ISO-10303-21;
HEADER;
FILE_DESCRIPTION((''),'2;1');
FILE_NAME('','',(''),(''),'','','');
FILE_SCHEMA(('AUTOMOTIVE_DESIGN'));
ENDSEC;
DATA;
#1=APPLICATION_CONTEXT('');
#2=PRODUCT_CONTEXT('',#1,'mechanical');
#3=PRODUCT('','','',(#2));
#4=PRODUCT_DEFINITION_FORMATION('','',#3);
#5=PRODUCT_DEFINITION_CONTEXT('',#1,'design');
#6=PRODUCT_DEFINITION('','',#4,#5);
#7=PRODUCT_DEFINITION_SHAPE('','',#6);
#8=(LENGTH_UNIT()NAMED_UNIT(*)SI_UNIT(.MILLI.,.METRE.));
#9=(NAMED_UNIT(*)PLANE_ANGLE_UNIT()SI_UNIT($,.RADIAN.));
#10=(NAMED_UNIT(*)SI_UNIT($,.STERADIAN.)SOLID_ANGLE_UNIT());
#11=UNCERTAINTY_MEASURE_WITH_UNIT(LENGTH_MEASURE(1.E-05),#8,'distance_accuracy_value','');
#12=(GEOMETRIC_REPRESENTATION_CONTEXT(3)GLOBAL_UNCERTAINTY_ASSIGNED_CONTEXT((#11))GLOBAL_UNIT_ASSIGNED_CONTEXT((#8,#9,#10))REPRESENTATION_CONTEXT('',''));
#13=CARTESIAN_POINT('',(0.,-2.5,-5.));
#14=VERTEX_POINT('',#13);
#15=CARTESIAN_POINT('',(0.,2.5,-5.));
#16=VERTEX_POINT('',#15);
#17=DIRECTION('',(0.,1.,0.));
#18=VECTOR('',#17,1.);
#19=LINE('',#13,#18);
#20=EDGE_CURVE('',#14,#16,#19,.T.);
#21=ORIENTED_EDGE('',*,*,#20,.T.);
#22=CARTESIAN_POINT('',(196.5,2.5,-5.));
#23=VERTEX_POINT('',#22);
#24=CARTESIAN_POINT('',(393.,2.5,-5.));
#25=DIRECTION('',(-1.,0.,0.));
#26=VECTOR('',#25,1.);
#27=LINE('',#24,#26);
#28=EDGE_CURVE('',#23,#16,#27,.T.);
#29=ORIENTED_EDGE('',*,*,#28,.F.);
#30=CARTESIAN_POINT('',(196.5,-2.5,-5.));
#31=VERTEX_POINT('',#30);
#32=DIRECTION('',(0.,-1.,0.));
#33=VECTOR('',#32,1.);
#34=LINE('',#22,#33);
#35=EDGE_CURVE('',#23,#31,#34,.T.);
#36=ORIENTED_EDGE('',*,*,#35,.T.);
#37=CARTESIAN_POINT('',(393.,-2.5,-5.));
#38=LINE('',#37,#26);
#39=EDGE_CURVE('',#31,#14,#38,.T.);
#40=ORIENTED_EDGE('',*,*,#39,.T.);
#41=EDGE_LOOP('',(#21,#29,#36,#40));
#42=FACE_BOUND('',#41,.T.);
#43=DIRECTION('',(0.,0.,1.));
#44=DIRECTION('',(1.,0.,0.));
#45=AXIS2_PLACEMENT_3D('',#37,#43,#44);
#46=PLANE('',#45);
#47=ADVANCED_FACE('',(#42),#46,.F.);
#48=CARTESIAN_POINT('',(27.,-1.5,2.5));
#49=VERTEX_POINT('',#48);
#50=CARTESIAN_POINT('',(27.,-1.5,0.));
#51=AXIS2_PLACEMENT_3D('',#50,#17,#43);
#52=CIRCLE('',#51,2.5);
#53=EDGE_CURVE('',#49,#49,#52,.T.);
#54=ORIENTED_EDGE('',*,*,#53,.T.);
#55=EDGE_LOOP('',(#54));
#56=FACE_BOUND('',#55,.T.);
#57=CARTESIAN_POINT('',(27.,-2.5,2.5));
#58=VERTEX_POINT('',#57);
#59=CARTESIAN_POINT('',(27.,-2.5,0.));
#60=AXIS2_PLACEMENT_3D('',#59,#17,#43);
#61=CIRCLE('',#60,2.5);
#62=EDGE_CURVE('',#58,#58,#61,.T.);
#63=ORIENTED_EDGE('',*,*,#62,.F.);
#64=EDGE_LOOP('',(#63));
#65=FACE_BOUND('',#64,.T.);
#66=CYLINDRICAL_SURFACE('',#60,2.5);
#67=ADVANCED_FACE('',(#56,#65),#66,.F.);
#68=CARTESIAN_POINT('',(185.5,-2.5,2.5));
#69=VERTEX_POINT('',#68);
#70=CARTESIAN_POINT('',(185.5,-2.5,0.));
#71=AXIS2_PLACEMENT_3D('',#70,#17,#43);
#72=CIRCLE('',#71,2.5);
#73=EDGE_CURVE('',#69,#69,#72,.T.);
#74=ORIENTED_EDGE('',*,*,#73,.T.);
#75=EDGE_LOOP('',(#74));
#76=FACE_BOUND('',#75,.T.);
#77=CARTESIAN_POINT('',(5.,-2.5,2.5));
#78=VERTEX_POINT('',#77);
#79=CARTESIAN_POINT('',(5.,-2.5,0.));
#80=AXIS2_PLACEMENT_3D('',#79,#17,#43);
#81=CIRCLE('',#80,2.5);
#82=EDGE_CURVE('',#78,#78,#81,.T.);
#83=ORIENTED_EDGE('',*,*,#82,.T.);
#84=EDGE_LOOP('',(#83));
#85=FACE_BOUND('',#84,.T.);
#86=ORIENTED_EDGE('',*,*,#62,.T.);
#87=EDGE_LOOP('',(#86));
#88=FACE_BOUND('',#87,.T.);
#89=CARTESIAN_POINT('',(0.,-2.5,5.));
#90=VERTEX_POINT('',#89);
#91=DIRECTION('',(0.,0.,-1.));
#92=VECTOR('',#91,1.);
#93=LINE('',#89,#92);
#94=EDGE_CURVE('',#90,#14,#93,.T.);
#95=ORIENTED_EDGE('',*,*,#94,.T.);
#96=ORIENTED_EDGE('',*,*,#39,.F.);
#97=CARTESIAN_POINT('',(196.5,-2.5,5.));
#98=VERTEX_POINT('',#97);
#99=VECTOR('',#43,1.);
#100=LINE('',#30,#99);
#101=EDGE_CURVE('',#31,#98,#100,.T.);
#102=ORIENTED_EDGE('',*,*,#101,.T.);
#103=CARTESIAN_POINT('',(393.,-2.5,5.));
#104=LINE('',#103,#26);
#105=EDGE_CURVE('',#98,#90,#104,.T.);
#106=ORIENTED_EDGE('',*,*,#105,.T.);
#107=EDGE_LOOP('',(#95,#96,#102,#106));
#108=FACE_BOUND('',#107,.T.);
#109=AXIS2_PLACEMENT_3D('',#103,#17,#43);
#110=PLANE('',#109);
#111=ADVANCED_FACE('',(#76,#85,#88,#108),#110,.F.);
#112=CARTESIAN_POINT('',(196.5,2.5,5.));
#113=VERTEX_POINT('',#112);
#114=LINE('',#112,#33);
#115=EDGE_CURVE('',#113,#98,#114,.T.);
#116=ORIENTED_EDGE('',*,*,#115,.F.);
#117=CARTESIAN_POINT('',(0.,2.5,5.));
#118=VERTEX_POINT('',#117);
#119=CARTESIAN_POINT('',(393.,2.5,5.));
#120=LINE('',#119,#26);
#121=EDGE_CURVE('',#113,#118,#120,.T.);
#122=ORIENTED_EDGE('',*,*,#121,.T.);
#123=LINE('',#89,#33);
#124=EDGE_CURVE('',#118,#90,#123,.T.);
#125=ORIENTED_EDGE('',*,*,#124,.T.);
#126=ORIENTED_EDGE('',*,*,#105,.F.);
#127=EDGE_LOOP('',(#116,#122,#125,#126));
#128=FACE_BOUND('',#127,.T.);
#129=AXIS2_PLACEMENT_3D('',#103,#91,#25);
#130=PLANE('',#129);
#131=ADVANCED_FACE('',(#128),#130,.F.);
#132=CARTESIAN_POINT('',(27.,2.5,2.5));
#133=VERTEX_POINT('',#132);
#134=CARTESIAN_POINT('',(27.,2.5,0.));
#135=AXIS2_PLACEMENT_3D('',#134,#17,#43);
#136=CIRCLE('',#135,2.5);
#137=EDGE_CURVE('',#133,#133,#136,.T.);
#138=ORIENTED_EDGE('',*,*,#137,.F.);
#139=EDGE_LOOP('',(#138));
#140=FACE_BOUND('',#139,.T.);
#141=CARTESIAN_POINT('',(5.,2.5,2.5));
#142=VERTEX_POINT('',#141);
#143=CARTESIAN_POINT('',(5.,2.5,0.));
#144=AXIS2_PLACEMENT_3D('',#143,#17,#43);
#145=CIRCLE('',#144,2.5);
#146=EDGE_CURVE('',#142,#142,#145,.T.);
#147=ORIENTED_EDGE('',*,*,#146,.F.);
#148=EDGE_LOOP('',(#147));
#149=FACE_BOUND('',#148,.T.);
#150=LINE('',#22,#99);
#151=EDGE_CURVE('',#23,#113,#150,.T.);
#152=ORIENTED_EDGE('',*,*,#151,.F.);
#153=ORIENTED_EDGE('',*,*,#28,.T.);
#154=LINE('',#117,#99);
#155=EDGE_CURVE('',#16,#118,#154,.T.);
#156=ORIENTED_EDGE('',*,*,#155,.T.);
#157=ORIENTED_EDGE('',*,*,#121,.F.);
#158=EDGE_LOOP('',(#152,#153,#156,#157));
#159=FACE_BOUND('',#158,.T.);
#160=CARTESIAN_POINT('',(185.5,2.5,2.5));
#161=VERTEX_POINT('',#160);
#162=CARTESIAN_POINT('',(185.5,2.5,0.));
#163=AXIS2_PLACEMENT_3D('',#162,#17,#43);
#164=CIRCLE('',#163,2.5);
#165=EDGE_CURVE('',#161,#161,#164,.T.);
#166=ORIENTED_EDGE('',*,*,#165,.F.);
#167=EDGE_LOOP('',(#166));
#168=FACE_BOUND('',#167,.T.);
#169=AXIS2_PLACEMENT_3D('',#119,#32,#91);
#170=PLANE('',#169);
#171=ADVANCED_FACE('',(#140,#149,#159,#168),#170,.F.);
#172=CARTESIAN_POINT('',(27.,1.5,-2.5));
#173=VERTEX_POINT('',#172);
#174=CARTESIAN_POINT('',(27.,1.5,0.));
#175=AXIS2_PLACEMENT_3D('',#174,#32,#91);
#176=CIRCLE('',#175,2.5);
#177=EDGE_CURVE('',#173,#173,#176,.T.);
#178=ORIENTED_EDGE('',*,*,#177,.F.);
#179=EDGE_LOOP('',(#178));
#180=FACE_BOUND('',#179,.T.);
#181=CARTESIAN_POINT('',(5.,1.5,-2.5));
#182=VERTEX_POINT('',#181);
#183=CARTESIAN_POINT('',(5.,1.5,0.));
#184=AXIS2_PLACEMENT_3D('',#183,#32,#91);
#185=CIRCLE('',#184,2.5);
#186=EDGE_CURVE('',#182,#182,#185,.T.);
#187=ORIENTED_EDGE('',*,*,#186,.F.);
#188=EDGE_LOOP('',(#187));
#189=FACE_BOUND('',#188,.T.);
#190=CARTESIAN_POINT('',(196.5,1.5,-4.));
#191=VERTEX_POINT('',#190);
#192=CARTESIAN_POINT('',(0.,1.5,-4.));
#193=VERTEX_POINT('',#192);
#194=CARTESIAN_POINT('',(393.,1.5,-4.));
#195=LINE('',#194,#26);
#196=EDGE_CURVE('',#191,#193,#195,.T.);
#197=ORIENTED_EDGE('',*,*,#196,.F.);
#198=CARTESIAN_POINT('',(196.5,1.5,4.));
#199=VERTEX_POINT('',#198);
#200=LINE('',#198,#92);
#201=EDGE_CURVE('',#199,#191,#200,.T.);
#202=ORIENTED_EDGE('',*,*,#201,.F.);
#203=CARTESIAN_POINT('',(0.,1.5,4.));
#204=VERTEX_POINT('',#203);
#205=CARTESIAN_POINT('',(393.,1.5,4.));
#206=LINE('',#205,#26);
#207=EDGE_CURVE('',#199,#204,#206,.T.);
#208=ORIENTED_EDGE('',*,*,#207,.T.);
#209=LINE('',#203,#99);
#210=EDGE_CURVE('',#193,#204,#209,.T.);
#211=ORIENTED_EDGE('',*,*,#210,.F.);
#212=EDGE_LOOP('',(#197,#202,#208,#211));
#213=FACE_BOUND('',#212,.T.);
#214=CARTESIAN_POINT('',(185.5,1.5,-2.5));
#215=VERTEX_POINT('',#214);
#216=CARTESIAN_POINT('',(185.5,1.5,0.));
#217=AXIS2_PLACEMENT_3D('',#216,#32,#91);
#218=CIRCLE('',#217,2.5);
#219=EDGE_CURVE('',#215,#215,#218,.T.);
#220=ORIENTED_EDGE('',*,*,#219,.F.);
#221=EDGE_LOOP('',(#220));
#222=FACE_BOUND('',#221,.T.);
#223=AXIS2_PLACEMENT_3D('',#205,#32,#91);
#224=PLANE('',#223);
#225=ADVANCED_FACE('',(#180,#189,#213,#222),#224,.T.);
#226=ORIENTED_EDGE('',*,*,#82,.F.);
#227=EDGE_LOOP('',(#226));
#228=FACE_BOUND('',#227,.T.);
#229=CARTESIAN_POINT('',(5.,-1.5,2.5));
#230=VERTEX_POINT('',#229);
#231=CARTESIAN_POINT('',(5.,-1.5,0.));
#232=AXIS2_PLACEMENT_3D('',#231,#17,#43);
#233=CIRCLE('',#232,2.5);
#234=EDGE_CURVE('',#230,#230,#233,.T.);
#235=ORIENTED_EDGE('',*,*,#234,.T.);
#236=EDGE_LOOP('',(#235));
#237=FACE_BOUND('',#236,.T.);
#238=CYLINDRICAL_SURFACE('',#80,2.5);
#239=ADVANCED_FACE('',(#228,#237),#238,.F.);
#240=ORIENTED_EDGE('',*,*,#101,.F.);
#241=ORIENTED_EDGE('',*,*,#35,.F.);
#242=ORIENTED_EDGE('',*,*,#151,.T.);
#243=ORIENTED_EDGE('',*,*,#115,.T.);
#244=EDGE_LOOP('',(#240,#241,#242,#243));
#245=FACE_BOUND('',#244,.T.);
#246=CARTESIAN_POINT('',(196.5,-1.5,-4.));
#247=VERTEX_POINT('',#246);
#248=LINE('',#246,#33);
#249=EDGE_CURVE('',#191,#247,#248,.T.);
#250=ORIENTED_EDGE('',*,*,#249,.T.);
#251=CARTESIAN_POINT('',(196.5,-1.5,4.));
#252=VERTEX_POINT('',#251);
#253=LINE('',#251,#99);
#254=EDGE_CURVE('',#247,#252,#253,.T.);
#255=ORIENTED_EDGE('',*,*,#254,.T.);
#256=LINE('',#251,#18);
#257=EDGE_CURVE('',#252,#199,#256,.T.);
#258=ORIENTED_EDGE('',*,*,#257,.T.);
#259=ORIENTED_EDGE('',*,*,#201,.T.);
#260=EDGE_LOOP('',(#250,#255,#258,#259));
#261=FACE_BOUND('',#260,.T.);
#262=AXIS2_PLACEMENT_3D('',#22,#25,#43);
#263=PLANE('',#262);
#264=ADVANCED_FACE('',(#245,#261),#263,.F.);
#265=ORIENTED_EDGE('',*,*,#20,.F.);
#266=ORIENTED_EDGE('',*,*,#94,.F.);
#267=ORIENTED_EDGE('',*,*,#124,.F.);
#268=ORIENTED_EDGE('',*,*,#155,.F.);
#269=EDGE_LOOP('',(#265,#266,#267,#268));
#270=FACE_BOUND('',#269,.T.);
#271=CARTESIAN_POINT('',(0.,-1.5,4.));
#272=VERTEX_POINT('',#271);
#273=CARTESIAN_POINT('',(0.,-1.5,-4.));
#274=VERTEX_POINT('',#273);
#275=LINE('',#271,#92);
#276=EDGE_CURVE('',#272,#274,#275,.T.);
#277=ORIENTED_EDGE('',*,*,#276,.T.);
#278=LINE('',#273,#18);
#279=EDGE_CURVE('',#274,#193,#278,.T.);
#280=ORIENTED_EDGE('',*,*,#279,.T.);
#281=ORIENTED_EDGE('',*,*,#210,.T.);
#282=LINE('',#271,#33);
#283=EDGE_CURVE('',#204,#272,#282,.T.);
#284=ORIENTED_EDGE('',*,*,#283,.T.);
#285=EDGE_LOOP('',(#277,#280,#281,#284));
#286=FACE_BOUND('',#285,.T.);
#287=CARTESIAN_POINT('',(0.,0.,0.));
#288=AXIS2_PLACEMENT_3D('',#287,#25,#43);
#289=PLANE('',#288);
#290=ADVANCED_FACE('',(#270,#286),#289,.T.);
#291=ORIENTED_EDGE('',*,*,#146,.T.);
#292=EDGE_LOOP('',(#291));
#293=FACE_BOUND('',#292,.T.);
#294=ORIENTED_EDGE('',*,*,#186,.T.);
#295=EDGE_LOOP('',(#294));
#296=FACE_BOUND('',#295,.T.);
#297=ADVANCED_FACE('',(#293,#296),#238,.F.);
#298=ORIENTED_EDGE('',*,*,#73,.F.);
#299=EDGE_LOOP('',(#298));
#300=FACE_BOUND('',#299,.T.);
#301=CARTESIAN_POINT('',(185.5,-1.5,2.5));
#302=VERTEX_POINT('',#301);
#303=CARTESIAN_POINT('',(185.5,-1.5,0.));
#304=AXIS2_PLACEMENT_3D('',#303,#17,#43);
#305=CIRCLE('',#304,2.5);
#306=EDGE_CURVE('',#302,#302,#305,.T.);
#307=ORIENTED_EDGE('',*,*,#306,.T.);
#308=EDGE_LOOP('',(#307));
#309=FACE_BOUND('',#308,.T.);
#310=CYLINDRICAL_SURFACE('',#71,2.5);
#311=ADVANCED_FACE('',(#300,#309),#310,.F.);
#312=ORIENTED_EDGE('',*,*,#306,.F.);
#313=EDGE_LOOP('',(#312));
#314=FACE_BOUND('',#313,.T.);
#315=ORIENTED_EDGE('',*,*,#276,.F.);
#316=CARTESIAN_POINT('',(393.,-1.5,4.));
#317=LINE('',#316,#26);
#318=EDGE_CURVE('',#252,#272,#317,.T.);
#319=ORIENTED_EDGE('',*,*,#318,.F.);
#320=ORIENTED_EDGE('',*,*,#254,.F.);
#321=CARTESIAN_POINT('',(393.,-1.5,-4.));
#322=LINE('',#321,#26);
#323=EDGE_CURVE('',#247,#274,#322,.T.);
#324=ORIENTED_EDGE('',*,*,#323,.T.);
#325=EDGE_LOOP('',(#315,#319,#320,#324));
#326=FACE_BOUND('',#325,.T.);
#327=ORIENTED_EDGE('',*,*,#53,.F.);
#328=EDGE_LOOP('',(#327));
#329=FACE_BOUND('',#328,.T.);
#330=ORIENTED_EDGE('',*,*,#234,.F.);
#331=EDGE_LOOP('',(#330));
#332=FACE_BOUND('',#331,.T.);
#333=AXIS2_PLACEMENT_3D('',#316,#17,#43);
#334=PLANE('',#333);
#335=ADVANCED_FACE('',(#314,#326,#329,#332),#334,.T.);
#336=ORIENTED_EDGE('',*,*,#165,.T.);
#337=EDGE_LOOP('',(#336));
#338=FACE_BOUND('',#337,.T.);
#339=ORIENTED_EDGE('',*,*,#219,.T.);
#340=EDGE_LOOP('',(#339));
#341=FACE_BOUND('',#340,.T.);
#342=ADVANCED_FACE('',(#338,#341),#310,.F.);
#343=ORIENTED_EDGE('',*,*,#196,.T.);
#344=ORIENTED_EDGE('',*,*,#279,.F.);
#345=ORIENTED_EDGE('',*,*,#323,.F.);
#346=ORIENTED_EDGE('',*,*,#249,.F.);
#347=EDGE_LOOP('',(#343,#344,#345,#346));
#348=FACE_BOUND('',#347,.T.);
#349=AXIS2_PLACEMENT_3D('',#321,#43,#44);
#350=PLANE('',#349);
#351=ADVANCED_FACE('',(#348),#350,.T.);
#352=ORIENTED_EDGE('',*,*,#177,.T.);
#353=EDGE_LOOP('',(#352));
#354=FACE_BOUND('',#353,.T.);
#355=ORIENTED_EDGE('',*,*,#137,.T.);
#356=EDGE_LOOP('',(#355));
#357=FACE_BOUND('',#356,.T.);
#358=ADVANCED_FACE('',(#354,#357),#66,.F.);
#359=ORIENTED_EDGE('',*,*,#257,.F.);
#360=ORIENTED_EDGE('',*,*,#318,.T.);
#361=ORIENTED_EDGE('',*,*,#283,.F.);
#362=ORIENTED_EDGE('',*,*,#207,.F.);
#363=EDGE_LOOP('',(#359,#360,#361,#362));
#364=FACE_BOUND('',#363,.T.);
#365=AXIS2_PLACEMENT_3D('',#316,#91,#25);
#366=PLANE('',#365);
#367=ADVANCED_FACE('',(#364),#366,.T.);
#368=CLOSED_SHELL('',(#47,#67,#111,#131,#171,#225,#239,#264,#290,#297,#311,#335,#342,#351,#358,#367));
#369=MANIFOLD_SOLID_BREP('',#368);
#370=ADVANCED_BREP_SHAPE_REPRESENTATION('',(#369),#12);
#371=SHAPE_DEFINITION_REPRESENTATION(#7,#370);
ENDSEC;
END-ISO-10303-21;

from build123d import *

# Parameters (mm, degrees)
CROQUIS1_W              = 10
CROQUIS1_H              = 5
CROQUIS1_W_2            = 8
CROQUIS1_H_2            = 3
SALIENTE_EXTRUIR1_DEPTH = 393
CROQUIS2_R              = 2.5
CORTAR_EXTRUIR1_DEPTH   = 5
SKETCH1_W               = 196.5
SKETCH1_H               = 5
CUT_EXTRUDE1_DEPTH      = 10


with BuildPart() as part:
    # Croquis1 → Saliente-Extruir1 (new body)
    with BuildSketch(Plane(origin=(0, 0, 0), x_dir=(0, 0, -1), z_dir=(1, 0, 0))):
        Rectangle(CROQUIS1_W, CROQUIS1_H)
        Rectangle(CROQUIS1_W_2, CROQUIS1_H_2, mode=Mode.SUBTRACT)
    extrude(amount=SALIENTE_EXTRUIR1_DEPTH)

    # Croquis2 → Cortar-Extruir1 (cut)
    with BuildSketch(Plane(origin=(0, 2.5, 0), x_dir=(1, 0, 0), z_dir=(0, 1, 0))):
        with Locations((5, 0)):
            Circle(CROQUIS2_R)
        with Locations((388, 0)):
            Circle(CROQUIS2_R)
        with Locations((27, 0)):
            Circle(CROQUIS2_R)
        with Locations((366, 0)):
            Circle(CROQUIS2_R)
        with Locations((207.5, 0)):
            Circle(CROQUIS2_R)
        with Locations((185.5, 0)):
            Circle(CROQUIS2_R)
    extrude(amount=-CORTAR_EXTRUIR1_DEPTH, mode=Mode.SUBTRACT)

    # Sketch1 → Cut-Extrude1 (cut)
    with BuildSketch(Plane.XY.offset(5)):
        with Locations((294.75, 0)):
            Rectangle(SKETCH1_W, SKETCH1_H)
    extrude(amount=-CUT_EXTRUDE1_DEPTH, mode=Mode.SUBTRACT)


solid = part.part
